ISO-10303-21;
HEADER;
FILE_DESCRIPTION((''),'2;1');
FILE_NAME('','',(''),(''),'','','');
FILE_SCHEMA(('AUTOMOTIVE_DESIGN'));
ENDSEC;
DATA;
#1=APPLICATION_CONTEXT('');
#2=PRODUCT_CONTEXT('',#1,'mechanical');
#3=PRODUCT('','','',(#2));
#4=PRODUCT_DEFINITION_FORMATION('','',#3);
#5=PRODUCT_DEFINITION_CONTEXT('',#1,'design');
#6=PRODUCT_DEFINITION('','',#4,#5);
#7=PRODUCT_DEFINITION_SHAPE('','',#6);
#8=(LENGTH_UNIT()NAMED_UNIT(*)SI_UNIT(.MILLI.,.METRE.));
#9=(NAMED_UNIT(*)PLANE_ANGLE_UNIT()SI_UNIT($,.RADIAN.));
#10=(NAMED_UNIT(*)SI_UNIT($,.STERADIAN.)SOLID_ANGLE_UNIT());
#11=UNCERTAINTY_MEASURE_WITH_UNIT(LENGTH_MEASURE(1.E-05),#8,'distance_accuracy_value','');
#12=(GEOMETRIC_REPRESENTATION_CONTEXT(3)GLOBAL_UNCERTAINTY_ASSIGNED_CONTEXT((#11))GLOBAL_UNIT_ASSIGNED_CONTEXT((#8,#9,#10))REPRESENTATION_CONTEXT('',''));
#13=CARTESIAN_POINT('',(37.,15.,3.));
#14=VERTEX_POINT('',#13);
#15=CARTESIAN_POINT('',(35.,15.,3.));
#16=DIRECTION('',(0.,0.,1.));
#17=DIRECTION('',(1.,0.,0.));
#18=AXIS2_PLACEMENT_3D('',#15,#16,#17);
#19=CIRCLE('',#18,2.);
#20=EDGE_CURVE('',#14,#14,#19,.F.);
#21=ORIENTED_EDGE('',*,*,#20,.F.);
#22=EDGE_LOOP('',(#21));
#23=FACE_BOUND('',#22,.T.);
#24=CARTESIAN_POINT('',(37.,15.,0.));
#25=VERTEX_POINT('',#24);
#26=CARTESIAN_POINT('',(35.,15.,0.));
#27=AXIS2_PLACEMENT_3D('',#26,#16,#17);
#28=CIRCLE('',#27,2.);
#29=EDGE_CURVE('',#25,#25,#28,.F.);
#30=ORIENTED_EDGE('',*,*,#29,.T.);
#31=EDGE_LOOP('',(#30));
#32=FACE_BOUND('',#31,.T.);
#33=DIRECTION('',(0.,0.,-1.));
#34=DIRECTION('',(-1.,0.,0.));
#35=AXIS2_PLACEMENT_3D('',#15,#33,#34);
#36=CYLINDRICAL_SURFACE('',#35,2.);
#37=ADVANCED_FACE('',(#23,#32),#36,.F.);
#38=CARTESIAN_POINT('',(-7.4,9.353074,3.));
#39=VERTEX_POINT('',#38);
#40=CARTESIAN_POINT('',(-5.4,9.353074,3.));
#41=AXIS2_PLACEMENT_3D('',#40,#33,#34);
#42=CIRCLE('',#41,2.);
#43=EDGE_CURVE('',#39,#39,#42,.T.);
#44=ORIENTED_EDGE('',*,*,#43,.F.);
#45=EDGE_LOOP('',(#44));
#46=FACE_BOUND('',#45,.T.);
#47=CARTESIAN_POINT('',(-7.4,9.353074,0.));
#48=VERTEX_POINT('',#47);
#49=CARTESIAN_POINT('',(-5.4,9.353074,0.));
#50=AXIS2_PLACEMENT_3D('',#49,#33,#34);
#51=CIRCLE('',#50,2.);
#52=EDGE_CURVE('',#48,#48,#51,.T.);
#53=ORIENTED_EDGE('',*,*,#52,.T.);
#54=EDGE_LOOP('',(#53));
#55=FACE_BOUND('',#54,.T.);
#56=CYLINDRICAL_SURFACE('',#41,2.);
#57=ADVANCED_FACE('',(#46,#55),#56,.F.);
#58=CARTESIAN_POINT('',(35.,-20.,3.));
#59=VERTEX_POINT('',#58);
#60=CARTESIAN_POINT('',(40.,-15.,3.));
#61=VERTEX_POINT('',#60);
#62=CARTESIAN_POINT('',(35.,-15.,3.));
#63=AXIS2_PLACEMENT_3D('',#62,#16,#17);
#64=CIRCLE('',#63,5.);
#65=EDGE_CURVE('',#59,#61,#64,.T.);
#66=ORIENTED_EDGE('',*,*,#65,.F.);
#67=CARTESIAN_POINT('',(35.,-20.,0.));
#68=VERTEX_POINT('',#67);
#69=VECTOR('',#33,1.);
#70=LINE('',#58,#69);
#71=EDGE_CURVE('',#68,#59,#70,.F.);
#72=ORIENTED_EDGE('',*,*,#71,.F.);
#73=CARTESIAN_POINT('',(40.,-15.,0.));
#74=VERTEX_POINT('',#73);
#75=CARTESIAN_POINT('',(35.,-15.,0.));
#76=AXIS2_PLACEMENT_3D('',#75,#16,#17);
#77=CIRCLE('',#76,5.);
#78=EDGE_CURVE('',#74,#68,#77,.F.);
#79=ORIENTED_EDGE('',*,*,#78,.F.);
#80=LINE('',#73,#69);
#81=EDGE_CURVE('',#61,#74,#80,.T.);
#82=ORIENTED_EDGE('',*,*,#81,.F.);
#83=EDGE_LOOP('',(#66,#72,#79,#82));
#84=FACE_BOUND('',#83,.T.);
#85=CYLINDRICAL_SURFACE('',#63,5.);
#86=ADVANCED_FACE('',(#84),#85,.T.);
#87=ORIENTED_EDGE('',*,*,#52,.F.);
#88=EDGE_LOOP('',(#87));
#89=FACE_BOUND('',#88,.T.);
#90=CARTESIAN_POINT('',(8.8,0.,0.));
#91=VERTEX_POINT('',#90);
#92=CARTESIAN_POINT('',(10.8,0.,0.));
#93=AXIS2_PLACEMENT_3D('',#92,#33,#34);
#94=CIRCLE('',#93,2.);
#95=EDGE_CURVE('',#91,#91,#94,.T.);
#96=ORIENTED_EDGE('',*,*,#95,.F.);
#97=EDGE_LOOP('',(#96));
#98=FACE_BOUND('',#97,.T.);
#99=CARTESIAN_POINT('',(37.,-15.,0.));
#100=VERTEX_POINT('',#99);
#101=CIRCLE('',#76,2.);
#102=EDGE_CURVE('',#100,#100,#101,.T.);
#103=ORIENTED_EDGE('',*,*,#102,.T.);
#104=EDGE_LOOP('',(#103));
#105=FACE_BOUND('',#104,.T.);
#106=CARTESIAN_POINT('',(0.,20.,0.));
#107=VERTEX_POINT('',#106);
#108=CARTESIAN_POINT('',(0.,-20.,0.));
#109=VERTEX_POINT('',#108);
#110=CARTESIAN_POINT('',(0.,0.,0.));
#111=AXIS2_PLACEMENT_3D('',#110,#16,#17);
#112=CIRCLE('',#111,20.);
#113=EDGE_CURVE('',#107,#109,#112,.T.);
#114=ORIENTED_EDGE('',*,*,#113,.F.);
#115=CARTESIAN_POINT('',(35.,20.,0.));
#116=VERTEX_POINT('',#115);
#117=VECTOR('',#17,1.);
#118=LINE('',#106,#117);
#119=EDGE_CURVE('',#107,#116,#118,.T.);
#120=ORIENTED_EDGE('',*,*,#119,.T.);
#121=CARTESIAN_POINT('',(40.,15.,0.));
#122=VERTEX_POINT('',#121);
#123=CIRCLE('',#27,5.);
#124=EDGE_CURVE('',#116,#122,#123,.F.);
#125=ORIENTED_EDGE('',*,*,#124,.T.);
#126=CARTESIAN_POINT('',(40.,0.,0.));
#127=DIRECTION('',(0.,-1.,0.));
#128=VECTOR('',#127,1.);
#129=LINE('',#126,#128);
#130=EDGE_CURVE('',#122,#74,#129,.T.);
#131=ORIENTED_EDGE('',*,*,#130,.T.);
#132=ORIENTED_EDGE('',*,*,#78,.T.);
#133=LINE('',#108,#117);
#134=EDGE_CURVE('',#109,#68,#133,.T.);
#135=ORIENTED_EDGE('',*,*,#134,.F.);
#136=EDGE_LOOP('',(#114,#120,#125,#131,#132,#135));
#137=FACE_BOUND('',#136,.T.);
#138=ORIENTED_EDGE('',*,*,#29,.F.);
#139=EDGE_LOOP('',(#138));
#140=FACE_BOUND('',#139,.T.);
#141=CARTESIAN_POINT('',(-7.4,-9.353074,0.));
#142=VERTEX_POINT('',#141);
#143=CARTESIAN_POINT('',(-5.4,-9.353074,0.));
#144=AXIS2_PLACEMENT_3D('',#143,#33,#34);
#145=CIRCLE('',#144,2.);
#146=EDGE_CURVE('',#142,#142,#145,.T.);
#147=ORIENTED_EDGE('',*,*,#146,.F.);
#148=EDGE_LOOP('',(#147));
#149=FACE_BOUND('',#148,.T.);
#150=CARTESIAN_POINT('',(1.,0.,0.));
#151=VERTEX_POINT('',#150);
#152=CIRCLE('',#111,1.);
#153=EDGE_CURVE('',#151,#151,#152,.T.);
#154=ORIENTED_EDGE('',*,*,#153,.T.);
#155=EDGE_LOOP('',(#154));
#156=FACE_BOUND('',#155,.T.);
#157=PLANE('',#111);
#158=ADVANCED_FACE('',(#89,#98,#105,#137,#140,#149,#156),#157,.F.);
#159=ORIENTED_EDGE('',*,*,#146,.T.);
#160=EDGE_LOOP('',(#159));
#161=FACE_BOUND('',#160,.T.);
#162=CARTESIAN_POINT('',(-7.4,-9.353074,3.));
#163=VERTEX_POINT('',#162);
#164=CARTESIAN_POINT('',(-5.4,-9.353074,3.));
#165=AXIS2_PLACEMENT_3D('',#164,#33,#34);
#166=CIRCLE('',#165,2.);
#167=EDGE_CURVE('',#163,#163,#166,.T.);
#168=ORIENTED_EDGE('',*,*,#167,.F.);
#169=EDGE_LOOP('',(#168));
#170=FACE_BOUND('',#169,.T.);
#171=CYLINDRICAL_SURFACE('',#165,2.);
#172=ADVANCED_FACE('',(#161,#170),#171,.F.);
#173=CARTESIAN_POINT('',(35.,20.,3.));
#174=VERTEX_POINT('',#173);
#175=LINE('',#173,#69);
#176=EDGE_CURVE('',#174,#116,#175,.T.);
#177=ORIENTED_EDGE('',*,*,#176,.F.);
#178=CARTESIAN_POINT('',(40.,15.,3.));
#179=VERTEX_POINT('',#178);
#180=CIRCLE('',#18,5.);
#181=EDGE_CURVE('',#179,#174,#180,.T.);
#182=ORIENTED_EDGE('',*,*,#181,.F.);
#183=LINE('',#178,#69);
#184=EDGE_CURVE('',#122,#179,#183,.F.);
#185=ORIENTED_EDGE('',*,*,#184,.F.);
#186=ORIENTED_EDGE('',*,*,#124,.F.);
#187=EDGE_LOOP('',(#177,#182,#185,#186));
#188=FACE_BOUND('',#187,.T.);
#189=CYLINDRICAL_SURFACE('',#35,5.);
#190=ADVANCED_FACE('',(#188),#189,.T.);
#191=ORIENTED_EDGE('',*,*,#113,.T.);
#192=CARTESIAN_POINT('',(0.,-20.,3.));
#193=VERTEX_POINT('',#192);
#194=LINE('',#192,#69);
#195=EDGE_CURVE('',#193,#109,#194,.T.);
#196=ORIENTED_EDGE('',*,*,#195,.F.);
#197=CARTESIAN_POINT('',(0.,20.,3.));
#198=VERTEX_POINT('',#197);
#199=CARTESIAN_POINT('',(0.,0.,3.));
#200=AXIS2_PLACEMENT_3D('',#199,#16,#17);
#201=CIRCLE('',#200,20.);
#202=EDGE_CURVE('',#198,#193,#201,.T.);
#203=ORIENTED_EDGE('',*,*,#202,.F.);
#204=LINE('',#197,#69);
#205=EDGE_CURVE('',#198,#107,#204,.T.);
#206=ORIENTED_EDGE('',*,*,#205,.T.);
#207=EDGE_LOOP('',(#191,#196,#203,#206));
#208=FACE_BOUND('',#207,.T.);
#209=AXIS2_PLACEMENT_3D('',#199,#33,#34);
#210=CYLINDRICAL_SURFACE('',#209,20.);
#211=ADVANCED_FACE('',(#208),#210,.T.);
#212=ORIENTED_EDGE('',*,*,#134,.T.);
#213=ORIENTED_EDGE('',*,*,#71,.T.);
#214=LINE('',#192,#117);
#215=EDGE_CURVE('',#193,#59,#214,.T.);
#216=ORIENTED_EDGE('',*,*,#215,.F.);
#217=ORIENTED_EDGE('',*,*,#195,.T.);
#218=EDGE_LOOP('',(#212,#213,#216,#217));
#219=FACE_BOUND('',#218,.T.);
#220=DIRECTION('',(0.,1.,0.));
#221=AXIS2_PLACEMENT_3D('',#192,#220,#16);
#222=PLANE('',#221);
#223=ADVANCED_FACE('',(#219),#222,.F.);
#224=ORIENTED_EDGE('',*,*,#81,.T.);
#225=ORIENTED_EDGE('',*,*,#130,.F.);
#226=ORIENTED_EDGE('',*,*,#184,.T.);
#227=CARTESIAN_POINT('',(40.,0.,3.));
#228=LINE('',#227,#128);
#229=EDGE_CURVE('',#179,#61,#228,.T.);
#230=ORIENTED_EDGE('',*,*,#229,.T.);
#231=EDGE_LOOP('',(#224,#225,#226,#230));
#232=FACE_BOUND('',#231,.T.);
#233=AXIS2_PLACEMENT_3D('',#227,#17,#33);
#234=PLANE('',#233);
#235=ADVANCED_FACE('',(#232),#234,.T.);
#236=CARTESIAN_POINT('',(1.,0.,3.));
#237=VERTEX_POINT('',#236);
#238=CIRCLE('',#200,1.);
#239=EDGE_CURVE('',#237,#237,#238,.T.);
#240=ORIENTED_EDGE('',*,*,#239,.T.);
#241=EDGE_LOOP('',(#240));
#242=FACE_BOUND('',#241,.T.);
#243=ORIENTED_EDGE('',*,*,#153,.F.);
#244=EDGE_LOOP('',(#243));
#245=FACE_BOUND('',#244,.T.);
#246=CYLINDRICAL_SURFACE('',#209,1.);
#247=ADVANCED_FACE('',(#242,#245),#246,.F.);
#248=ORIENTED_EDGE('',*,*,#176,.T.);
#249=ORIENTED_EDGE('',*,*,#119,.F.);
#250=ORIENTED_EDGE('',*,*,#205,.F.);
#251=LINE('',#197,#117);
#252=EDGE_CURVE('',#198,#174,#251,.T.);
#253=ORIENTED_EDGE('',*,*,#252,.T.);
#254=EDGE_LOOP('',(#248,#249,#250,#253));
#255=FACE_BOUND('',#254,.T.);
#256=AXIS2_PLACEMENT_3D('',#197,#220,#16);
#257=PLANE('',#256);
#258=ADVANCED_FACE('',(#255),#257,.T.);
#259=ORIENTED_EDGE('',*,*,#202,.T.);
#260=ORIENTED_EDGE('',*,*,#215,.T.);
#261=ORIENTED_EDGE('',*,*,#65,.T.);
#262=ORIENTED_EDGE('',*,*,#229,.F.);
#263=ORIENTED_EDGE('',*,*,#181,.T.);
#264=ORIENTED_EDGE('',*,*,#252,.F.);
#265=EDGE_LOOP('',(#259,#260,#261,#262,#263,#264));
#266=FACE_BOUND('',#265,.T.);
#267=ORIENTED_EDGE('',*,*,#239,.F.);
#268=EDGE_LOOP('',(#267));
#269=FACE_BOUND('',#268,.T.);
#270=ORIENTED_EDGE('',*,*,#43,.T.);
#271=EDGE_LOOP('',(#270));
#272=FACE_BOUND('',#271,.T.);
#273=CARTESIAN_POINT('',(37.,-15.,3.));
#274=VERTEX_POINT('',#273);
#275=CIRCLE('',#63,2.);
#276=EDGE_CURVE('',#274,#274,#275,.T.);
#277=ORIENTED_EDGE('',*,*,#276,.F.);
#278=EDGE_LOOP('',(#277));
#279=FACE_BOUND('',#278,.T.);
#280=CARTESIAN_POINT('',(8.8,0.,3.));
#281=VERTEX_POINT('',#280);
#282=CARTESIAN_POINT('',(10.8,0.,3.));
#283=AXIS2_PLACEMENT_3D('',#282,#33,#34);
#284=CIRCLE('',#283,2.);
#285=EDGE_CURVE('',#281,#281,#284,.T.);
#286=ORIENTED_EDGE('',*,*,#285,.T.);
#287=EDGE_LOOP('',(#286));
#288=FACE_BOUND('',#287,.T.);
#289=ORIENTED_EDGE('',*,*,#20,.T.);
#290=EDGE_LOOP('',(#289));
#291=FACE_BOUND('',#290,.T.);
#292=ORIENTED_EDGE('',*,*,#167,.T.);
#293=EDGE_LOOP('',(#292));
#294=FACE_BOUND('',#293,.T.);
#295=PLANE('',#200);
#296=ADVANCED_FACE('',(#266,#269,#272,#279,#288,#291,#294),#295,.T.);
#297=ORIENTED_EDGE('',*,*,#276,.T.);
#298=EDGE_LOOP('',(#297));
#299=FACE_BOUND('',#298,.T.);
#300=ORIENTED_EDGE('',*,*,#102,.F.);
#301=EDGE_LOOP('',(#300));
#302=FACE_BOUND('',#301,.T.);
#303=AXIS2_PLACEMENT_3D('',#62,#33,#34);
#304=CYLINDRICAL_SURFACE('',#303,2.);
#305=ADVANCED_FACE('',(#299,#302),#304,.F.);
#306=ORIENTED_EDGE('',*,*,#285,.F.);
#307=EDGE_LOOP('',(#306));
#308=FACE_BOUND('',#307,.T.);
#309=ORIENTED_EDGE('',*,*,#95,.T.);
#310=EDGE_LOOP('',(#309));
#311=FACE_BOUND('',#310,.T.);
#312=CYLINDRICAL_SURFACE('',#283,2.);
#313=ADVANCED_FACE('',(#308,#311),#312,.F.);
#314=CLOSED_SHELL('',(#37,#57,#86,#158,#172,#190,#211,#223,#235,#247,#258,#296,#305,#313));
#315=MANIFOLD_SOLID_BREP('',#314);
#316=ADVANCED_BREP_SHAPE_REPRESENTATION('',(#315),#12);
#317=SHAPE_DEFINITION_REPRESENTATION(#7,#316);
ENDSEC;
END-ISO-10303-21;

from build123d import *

# Parameters (mm, degrees)
SKIZZE1_R                       = 1
SKIZZE1_R_2                     = 2
AUFSATZ_LINEAR_AUSTRAGEN1_DEPTH = 3
SKIZZE2_R                       = 2
SCHNITT_LINEAR_AUSTRAGEN1_DEPTH = 45.821869662
VERRUNDUNG1_R                   = 5


with BuildPart() as part:
    # Skizze1 → Aufsatz-Linear austragen1 (new body)
    with BuildSketch(Plane.XY):
        with BuildLine():
            Line((40, 20), (0, 20))
            ThreePointArc((0, 20), (-20, 0), (0, -20))
            Line((0, -20), (40, -20))
            Line((40, -20), (40, 20))
        make_face()
        Circle(SKIZZE1_R, mode=Mode.SUBTRACT)
        with Locations((35, 15)):
            Circle(SKIZZE1_R_2, mode=Mode.SUBTRACT)
        with Locations((35, -15)):
            Circle(SKIZZE1_R_2, mode=Mode.SUBTRACT)
    extrude(amount=AUFSATZ_LINEAR_AUSTRAGEN1_DEPTH)

    # Skizze2 → Schnitt-Linear austragen1 (cut, through all)
    with BuildSketch(Plane(origin=(0, 0, 0), x_dir=(-1, 0, 0), z_dir=(0, 0, -1))):
        with Locations((-10.8, 0)):
            Circle(SKIZZE2_R)
        with Locations((5.4, 9.353074361)):
            Circle(SKIZZE2_R)
        with Locations((5.4, -9.353074361)):
            Circle(SKIZZE2_R)
    extrude(amount=-SCHNITT_LINEAR_AUSTRAGEN1_DEPTH, mode=Mode.SUBTRACT)

    # Verrundung1
    verrundung1_edges = [part.edges().sort_by_distance(p)[0] for p in [
        (40, 20, 1.5),
        (40, -20, 1.5),
    ]]
    fillet(verrundung1_edges, radius=VERRUNDUNG1_R)


solid = part.part
